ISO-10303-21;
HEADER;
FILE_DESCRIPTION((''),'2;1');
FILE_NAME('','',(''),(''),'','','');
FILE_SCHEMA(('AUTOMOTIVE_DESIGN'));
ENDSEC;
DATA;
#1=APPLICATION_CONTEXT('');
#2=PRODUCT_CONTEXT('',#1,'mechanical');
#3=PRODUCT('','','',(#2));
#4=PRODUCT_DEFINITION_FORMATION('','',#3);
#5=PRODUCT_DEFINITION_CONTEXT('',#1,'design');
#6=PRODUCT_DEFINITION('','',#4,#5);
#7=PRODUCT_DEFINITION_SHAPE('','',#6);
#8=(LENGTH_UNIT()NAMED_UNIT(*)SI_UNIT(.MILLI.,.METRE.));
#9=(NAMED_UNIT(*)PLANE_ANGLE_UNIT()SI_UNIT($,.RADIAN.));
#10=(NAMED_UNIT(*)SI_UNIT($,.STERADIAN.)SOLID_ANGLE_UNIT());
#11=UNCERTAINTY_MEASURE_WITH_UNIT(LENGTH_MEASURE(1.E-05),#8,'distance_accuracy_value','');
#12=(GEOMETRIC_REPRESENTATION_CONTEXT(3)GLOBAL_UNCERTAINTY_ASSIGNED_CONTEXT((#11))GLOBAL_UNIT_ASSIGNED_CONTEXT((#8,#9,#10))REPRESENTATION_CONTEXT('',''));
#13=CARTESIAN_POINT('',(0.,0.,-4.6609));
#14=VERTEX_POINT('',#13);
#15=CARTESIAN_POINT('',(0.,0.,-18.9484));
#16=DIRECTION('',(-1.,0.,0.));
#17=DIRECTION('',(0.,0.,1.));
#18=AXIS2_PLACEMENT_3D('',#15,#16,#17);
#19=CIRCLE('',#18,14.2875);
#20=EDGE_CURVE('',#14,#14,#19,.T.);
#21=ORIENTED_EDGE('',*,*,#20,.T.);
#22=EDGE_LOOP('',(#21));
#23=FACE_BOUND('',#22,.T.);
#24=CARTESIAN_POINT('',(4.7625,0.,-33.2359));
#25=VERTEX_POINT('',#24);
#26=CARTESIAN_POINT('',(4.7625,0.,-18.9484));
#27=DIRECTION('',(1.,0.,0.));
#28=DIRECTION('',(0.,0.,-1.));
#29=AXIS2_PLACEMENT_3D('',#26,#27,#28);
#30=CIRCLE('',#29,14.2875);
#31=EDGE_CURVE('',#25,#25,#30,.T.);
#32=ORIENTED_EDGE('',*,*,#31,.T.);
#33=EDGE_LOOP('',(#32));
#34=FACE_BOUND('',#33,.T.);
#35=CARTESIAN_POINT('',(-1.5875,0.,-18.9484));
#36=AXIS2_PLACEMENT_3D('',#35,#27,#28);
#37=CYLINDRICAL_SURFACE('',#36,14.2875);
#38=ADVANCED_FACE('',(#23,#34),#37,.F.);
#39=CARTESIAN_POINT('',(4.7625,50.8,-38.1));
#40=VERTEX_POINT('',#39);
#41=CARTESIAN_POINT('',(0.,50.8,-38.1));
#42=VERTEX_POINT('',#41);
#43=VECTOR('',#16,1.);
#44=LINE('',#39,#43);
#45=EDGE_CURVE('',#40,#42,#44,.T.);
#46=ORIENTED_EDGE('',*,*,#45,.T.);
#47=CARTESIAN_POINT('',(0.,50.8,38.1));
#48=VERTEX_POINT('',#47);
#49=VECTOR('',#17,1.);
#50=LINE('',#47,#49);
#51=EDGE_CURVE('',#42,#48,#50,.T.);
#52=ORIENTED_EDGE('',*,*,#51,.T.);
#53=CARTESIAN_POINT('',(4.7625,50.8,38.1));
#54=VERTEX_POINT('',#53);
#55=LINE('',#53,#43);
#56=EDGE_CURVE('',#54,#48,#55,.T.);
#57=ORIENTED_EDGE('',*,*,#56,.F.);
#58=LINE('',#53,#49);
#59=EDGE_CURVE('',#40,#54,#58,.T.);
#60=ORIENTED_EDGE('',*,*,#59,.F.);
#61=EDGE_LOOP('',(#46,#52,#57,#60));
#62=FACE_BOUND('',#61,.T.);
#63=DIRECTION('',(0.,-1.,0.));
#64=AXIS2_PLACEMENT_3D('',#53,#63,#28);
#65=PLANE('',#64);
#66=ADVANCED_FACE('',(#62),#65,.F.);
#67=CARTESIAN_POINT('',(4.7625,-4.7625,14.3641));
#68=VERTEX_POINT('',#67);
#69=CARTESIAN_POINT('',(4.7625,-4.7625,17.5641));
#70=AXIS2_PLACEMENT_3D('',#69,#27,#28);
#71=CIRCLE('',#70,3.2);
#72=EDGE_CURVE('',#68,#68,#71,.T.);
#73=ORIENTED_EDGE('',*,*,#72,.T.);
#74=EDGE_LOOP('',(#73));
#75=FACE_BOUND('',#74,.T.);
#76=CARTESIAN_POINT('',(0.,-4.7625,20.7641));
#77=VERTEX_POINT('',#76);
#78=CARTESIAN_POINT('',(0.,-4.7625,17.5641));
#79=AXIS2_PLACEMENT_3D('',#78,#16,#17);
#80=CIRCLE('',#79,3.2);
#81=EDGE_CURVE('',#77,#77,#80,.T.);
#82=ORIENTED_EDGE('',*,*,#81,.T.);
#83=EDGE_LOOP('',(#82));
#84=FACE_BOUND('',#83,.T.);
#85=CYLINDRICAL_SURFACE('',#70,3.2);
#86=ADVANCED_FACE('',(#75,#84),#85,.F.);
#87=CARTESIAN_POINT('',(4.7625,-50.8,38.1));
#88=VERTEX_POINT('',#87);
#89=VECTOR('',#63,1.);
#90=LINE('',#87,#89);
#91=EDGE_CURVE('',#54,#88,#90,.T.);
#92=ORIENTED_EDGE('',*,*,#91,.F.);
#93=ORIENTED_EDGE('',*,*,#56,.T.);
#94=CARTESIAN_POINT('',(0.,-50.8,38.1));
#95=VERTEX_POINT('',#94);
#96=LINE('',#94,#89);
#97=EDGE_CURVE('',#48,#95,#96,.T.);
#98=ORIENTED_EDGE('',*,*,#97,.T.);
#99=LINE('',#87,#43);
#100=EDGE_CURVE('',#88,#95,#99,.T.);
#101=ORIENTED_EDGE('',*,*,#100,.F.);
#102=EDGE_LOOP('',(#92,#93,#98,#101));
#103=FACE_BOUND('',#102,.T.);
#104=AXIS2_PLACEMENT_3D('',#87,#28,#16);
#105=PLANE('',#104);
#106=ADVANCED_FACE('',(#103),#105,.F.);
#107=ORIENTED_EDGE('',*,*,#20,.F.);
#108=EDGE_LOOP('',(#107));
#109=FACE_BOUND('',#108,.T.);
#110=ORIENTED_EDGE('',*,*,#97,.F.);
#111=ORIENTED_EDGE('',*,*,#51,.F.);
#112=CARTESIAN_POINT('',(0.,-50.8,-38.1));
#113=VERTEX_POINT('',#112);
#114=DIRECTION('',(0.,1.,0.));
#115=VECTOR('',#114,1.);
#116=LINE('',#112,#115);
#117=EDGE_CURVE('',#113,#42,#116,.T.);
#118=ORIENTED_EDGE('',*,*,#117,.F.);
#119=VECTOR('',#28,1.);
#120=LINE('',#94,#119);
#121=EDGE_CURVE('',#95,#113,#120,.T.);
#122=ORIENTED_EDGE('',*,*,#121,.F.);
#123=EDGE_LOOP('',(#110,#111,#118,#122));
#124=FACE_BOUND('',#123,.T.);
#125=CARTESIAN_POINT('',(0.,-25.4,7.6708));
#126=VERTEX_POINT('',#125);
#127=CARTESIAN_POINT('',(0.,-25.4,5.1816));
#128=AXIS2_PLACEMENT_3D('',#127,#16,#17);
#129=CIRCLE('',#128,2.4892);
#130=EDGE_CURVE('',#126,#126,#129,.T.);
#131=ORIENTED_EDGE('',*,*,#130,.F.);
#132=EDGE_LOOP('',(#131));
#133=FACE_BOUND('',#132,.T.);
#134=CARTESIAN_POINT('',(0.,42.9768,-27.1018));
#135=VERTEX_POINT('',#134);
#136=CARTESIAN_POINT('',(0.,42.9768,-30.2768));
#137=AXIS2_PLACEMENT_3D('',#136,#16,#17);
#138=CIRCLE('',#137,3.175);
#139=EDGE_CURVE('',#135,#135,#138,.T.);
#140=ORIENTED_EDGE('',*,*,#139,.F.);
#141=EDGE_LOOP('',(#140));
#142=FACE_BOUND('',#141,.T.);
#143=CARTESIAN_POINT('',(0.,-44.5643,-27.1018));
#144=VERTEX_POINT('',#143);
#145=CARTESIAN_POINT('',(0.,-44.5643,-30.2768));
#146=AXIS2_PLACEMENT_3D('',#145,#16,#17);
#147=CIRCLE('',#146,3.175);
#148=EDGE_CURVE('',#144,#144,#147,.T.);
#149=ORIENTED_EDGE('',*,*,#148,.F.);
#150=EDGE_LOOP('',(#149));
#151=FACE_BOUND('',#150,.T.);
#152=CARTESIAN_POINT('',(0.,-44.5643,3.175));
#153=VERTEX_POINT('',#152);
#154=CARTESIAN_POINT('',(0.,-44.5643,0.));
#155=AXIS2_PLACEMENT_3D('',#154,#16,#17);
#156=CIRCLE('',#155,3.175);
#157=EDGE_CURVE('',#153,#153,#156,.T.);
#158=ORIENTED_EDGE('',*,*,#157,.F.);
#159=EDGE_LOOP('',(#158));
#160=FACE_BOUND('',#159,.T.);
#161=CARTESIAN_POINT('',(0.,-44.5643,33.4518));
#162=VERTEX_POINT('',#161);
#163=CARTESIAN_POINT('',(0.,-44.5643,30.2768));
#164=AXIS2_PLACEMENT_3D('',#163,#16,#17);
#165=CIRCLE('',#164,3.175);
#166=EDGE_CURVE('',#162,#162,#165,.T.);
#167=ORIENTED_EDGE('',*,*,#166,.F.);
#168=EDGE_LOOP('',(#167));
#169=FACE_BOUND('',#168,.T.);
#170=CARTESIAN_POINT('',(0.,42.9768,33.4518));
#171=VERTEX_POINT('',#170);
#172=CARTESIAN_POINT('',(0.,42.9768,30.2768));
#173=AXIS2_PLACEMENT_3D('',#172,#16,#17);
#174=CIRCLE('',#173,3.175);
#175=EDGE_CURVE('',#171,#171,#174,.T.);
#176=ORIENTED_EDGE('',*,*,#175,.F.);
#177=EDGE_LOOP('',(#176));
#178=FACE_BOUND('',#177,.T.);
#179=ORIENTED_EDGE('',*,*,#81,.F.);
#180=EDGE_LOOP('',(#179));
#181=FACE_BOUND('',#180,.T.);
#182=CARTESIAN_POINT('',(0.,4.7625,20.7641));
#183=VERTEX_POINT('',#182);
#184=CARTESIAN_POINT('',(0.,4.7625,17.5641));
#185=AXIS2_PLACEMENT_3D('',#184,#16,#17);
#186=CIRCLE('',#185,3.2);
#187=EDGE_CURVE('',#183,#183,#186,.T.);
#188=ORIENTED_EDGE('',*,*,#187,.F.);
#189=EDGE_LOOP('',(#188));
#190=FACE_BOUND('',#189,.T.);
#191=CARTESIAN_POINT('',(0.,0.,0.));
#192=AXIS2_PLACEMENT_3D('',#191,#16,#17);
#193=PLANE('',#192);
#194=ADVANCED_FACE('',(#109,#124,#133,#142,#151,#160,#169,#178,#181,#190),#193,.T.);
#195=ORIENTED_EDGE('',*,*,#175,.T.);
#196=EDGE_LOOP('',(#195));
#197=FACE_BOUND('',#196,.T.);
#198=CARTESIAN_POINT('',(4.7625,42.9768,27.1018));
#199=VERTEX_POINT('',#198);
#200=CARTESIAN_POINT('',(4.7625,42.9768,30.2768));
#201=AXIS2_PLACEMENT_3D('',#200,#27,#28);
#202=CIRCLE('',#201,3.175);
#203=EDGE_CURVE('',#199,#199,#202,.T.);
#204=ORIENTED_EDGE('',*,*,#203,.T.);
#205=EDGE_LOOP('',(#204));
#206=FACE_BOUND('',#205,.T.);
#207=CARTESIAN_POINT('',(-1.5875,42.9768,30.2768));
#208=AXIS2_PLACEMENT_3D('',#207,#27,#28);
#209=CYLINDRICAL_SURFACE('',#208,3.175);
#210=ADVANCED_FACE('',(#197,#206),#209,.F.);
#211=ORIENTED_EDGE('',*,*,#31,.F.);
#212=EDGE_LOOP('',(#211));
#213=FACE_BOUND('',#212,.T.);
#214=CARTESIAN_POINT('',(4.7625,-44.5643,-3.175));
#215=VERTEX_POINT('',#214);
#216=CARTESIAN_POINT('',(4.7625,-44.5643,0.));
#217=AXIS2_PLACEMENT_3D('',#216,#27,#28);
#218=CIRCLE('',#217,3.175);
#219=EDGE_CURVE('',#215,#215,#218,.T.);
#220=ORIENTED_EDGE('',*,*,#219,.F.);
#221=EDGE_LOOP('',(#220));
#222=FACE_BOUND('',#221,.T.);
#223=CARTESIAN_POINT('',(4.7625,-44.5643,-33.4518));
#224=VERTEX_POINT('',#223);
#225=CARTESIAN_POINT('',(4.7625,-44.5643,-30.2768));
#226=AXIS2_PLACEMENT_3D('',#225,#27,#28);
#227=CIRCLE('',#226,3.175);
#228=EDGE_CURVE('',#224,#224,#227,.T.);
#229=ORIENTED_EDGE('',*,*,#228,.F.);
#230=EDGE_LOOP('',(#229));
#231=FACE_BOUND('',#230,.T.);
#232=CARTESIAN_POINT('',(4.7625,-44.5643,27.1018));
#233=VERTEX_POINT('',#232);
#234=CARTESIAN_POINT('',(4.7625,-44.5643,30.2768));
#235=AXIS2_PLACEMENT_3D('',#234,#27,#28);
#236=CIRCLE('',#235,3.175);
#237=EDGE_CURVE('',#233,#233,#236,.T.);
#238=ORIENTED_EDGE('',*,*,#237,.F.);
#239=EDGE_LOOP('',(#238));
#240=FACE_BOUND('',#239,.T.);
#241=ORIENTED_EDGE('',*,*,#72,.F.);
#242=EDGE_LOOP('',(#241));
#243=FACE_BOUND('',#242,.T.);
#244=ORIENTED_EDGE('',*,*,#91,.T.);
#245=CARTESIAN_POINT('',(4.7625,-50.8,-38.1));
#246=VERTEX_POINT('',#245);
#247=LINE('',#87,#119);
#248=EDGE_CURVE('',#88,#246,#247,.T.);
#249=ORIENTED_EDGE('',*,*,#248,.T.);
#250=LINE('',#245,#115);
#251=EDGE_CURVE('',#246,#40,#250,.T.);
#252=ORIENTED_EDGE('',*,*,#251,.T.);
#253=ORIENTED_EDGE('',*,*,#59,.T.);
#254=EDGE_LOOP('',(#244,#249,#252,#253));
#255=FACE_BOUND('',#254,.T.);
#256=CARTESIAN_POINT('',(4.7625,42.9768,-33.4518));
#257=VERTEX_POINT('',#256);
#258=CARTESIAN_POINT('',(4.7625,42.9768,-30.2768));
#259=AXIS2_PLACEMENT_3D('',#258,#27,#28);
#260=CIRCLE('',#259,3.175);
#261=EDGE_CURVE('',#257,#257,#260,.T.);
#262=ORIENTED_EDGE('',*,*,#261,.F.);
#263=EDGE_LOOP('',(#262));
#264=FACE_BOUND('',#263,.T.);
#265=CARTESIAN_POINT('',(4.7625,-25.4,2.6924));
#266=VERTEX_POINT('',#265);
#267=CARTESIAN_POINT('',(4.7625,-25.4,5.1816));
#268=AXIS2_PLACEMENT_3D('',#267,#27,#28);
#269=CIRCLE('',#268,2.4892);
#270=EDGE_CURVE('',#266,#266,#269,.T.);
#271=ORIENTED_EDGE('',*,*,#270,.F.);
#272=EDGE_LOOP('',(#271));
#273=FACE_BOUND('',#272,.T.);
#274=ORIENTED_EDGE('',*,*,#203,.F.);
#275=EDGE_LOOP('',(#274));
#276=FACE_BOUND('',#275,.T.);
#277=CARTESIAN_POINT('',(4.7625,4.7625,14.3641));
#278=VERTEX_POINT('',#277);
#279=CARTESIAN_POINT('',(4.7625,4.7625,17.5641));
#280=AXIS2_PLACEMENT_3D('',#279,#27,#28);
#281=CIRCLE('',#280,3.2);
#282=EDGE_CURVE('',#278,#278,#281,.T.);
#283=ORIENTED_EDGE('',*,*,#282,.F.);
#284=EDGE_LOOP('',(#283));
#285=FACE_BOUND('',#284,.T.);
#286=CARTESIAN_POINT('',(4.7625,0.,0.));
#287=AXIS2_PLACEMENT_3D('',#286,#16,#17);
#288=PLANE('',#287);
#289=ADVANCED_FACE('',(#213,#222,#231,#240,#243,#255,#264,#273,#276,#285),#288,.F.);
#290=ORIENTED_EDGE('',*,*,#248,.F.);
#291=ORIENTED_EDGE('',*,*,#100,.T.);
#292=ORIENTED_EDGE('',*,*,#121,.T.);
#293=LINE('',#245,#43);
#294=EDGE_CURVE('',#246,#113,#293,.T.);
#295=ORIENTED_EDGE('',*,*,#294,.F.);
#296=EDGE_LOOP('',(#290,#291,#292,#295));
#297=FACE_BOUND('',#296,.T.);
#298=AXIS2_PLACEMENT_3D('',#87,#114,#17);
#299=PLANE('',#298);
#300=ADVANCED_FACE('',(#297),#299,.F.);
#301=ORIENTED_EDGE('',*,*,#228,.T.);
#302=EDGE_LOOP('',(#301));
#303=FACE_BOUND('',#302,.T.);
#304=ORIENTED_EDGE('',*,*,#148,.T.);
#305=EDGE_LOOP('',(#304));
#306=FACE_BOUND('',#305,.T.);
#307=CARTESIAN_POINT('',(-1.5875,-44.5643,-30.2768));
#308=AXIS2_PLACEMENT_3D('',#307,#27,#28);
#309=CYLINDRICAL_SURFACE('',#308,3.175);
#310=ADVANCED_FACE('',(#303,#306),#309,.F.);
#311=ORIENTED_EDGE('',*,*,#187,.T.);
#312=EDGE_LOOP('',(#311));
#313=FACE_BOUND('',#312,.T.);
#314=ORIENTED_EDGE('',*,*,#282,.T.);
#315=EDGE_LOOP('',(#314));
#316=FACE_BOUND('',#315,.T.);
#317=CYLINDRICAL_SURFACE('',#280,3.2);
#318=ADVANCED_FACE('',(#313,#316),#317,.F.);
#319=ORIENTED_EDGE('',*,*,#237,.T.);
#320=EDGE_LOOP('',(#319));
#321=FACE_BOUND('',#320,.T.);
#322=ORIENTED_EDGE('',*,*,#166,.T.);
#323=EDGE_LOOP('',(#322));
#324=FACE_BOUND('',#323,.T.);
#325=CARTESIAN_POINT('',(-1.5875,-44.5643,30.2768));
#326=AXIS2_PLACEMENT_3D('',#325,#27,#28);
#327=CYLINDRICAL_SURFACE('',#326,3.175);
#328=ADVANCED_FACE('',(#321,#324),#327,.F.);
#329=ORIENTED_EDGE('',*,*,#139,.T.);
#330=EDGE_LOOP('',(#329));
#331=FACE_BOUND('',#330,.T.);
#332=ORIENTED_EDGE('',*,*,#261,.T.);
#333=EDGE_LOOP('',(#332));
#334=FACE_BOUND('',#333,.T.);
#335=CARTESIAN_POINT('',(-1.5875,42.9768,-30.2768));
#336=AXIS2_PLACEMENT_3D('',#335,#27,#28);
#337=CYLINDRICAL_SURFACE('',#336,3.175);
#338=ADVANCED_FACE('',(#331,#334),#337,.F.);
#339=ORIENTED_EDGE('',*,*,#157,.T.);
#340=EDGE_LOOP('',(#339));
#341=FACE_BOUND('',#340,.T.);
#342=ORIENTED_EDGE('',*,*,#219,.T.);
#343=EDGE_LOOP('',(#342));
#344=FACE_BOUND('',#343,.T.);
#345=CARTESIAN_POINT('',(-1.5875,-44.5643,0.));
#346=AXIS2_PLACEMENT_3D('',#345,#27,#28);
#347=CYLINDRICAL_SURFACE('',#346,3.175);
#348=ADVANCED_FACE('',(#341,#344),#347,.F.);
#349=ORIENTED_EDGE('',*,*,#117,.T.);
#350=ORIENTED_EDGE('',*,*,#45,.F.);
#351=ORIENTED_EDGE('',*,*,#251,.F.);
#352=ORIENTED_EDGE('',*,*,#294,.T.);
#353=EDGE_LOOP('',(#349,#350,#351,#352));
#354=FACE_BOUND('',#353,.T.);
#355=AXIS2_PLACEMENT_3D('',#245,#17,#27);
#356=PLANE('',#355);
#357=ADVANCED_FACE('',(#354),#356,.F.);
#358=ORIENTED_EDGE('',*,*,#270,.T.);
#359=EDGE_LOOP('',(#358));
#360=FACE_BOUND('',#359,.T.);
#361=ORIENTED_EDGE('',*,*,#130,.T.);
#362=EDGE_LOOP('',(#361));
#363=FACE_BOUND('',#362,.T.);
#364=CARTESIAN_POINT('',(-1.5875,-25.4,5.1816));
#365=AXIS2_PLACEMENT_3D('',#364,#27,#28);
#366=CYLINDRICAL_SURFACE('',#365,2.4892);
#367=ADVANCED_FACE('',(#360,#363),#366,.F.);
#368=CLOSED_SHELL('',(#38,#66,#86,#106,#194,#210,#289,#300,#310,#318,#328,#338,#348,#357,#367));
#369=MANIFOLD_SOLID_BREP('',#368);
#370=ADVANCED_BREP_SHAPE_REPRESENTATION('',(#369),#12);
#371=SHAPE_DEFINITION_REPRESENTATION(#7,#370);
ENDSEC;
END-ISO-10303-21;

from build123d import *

# Parameters (mm, degrees)
SKETCH2_W            = 76.2
SKETCH2_H            = 101.6
BOSS_EXTRUDE1_DEPTH  = 4.7625
SKETCH3_R            = 3.175
CUT_EXTRUDE1_DEPTH   = 6.35
SKETCH3_4_R          = 3.175
SKETCH3_4_R_2        = 14.2875
SKETCH3_4_R_3        = 2.4892
CUT_EXTRUDE2_DEPTH   = 6.35
M6_CLEARANCE_HOLE1_D = 6.4


with BuildPart() as part:
    # Sketch2 → Boss-Extrude1 (new body)
    with BuildSketch(Plane(origin=(0, 0, 0), x_dir=(0, 0, -1), z_dir=(1, 0, 0))):
        Rectangle(SKETCH2_W, SKETCH2_H)
    extrude(amount=BOSS_EXTRUDE1_DEPTH)

    # Sketch3 → Cut-Extrude1 (cut)
    with BuildSketch(Plane(origin=(4.7625, 0, 0), x_dir=(0, 0, -1), z_dir=(1, 0, 0))):
        with Locations((30.2768, 42.9768)):
            Circle(SKETCH3_R)
    extrude(amount=-CUT_EXTRUDE1_DEPTH, mode=Mode.SUBTRACT)

    # Sketch3<4> → Cut-Extrude2 (cut)
    with BuildSketch(Plane(origin=(4.7625, 0, 0), x_dir=(0, 0, -1), z_dir=(1, 0, 0))):
        with Locations((30.2768, -44.5643)):
            Circle(SKETCH3_4_R)
        with Locations((30.2768, 42.9768)):
            Circle(SKETCH3_4_R)
        with Locations((-30.2768, 42.9768)):
            Circle(SKETCH3_4_R)
        with Locations((-30.2768, -44.5643)):
            Circle(SKETCH3_4_R)
        with Locations((18.9484, 0)):
            Circle(SKETCH3_4_R_2)
        with Locations((-5.1816, -25.4)):
            Circle(SKETCH3_4_R_3)
        with Locations((0, -44.5643)):
            Circle(SKETCH3_4_R)
    extrude(amount=-CUT_EXTRUDE2_DEPTH, mode=Mode.SUBTRACT)

    # M6 Clearance Hole1 (through all)
    with Locations(Plane(origin=(4.7625, 0, 0), x_dir=(0, 0, -1), z_dir=(1, 0, 0))):
        with Locations((-17.5641, 4.7625), (-17.5641, -4.7625)):
            Hole(M6_CLEARANCE_HOLE1_D / 2)


solid = part.part
